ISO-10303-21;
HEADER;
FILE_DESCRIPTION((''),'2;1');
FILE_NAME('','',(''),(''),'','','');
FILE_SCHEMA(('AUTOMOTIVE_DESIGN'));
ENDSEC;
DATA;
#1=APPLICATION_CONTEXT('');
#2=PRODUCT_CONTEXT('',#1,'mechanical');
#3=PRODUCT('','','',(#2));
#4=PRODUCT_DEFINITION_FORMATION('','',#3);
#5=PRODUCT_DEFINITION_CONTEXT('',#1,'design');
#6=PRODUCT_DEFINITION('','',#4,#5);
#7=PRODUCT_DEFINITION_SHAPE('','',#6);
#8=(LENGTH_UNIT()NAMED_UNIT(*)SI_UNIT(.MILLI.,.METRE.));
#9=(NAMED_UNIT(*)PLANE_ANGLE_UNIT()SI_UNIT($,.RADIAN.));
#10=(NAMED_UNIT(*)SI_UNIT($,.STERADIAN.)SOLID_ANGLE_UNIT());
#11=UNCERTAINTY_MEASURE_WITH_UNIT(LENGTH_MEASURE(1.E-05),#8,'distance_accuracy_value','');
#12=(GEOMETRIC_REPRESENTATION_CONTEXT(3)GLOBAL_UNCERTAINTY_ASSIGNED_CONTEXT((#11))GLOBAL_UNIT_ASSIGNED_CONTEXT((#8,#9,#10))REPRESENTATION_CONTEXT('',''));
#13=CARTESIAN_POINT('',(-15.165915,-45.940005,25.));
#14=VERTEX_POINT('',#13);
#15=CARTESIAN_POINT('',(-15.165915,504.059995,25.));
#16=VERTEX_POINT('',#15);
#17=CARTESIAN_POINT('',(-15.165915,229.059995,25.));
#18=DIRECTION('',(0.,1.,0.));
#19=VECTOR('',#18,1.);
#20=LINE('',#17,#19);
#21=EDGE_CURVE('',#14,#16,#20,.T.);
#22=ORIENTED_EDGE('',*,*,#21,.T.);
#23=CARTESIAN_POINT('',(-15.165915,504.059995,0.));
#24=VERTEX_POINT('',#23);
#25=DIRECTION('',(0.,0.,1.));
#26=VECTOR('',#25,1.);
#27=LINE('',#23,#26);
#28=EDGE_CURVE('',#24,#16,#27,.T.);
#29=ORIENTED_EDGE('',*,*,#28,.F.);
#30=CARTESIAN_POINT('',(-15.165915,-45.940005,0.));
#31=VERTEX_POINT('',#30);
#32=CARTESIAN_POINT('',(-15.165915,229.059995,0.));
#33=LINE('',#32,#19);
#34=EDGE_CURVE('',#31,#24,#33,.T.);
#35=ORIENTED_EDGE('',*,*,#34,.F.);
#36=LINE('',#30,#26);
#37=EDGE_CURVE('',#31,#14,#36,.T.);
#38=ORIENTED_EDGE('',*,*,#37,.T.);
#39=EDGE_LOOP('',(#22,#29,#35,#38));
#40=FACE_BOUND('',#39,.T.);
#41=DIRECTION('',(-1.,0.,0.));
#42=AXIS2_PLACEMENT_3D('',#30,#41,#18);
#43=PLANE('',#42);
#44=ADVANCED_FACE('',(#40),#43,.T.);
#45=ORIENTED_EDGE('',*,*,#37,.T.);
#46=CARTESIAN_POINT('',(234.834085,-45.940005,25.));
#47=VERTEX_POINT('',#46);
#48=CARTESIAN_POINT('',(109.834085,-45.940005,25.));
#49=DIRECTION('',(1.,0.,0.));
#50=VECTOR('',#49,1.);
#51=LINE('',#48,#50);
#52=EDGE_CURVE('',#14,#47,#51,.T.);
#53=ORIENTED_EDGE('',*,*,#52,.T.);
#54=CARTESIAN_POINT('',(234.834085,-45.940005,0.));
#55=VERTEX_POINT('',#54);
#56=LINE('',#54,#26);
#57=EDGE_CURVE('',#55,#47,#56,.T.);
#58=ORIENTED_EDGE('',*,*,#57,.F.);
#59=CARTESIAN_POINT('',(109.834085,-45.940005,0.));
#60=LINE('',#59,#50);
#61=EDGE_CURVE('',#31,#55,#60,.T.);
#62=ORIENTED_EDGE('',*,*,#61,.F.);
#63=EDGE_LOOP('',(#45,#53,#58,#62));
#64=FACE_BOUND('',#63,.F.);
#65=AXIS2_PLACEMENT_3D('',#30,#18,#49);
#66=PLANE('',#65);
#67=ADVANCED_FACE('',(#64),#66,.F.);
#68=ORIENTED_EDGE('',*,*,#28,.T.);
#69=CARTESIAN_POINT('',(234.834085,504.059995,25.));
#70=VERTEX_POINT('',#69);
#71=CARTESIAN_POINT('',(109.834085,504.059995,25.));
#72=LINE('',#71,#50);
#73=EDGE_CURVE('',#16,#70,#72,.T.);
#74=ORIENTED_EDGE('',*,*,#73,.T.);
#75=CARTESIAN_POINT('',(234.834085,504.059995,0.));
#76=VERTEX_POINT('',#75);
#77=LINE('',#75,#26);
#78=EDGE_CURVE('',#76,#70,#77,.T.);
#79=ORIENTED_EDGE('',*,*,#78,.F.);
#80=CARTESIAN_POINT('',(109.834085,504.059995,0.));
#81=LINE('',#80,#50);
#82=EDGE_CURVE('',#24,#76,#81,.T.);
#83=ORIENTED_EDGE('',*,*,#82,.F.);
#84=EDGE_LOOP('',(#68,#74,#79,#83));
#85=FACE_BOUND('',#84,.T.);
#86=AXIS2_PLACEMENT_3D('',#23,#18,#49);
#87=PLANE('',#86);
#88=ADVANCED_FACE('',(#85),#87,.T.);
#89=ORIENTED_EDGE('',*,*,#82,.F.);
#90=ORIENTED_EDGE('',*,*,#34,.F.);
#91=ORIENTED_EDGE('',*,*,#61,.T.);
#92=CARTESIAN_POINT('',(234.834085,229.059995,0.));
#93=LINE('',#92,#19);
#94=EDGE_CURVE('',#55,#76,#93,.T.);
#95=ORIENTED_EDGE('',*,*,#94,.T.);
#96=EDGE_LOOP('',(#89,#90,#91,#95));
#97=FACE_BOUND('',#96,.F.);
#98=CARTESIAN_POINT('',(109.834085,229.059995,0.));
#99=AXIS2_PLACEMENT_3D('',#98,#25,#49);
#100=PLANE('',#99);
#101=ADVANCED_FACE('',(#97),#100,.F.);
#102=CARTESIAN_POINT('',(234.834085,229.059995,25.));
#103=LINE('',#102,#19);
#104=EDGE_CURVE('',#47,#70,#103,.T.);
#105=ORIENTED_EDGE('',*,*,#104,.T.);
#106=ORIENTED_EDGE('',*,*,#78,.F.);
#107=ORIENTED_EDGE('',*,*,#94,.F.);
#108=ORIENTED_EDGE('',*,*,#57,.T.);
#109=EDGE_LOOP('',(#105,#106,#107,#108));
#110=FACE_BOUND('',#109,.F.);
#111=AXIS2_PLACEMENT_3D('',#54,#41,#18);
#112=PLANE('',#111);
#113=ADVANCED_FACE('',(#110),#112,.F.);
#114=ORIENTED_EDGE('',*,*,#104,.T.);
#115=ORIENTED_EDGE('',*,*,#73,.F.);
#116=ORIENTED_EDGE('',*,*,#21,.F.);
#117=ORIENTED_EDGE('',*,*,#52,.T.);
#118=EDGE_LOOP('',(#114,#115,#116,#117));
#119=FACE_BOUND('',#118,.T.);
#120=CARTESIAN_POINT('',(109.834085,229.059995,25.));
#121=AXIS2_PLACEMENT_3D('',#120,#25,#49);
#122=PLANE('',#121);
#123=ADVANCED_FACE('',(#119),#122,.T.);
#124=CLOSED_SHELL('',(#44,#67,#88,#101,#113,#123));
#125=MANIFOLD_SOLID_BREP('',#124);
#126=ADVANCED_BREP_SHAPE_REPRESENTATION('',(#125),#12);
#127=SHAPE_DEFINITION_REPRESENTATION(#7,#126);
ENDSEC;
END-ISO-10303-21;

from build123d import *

# Parameters (mm, degrees)
F0_W     = 250
F0_H     = 550
F1_DEPTH = 25
F2_DEPTH = 25
F3_DEPTH = 25
F4_DEPTH = 25
F5_DEPTH = 25


with BuildPart() as f1:
    # F0 (on Top) → F1 (new body)
    with BuildSketch(Plane.XY):
        with Locations((109.834085, 229.059995)):
            Rectangle(F0_W, F0_H)
    extrude(amount=F1_DEPTH)

    # F0 (on Top) → F2 (join)
    with BuildSketch(Plane.XY):
        with Locations((109.834085, 229.059995)):
            Rectangle(F0_W, F0_H)
    extrude(amount=F2_DEPTH)

    # F0 (on Top) → F3 (join)
    with BuildSketch(Plane.XY):
        with Locations((109.834085, 229.059995)):
            Rectangle(F0_W, F0_H)
    extrude(amount=F3_DEPTH)

    # F0 (on Top) → F4 (join)
    with BuildSketch(Plane.XY):
        with Locations((109.834085, 229.059995)):
            Rectangle(F0_W, F0_H)
    extrude(amount=F4_DEPTH)

    # F0 (on Top) → F5 (join)
    with BuildSketch(Plane.XY):
        with Locations((109.834085, 229.059995)):
            Rectangle(F0_W, F0_H)
    extrude(amount=F5_DEPTH)


solid = f1.part
